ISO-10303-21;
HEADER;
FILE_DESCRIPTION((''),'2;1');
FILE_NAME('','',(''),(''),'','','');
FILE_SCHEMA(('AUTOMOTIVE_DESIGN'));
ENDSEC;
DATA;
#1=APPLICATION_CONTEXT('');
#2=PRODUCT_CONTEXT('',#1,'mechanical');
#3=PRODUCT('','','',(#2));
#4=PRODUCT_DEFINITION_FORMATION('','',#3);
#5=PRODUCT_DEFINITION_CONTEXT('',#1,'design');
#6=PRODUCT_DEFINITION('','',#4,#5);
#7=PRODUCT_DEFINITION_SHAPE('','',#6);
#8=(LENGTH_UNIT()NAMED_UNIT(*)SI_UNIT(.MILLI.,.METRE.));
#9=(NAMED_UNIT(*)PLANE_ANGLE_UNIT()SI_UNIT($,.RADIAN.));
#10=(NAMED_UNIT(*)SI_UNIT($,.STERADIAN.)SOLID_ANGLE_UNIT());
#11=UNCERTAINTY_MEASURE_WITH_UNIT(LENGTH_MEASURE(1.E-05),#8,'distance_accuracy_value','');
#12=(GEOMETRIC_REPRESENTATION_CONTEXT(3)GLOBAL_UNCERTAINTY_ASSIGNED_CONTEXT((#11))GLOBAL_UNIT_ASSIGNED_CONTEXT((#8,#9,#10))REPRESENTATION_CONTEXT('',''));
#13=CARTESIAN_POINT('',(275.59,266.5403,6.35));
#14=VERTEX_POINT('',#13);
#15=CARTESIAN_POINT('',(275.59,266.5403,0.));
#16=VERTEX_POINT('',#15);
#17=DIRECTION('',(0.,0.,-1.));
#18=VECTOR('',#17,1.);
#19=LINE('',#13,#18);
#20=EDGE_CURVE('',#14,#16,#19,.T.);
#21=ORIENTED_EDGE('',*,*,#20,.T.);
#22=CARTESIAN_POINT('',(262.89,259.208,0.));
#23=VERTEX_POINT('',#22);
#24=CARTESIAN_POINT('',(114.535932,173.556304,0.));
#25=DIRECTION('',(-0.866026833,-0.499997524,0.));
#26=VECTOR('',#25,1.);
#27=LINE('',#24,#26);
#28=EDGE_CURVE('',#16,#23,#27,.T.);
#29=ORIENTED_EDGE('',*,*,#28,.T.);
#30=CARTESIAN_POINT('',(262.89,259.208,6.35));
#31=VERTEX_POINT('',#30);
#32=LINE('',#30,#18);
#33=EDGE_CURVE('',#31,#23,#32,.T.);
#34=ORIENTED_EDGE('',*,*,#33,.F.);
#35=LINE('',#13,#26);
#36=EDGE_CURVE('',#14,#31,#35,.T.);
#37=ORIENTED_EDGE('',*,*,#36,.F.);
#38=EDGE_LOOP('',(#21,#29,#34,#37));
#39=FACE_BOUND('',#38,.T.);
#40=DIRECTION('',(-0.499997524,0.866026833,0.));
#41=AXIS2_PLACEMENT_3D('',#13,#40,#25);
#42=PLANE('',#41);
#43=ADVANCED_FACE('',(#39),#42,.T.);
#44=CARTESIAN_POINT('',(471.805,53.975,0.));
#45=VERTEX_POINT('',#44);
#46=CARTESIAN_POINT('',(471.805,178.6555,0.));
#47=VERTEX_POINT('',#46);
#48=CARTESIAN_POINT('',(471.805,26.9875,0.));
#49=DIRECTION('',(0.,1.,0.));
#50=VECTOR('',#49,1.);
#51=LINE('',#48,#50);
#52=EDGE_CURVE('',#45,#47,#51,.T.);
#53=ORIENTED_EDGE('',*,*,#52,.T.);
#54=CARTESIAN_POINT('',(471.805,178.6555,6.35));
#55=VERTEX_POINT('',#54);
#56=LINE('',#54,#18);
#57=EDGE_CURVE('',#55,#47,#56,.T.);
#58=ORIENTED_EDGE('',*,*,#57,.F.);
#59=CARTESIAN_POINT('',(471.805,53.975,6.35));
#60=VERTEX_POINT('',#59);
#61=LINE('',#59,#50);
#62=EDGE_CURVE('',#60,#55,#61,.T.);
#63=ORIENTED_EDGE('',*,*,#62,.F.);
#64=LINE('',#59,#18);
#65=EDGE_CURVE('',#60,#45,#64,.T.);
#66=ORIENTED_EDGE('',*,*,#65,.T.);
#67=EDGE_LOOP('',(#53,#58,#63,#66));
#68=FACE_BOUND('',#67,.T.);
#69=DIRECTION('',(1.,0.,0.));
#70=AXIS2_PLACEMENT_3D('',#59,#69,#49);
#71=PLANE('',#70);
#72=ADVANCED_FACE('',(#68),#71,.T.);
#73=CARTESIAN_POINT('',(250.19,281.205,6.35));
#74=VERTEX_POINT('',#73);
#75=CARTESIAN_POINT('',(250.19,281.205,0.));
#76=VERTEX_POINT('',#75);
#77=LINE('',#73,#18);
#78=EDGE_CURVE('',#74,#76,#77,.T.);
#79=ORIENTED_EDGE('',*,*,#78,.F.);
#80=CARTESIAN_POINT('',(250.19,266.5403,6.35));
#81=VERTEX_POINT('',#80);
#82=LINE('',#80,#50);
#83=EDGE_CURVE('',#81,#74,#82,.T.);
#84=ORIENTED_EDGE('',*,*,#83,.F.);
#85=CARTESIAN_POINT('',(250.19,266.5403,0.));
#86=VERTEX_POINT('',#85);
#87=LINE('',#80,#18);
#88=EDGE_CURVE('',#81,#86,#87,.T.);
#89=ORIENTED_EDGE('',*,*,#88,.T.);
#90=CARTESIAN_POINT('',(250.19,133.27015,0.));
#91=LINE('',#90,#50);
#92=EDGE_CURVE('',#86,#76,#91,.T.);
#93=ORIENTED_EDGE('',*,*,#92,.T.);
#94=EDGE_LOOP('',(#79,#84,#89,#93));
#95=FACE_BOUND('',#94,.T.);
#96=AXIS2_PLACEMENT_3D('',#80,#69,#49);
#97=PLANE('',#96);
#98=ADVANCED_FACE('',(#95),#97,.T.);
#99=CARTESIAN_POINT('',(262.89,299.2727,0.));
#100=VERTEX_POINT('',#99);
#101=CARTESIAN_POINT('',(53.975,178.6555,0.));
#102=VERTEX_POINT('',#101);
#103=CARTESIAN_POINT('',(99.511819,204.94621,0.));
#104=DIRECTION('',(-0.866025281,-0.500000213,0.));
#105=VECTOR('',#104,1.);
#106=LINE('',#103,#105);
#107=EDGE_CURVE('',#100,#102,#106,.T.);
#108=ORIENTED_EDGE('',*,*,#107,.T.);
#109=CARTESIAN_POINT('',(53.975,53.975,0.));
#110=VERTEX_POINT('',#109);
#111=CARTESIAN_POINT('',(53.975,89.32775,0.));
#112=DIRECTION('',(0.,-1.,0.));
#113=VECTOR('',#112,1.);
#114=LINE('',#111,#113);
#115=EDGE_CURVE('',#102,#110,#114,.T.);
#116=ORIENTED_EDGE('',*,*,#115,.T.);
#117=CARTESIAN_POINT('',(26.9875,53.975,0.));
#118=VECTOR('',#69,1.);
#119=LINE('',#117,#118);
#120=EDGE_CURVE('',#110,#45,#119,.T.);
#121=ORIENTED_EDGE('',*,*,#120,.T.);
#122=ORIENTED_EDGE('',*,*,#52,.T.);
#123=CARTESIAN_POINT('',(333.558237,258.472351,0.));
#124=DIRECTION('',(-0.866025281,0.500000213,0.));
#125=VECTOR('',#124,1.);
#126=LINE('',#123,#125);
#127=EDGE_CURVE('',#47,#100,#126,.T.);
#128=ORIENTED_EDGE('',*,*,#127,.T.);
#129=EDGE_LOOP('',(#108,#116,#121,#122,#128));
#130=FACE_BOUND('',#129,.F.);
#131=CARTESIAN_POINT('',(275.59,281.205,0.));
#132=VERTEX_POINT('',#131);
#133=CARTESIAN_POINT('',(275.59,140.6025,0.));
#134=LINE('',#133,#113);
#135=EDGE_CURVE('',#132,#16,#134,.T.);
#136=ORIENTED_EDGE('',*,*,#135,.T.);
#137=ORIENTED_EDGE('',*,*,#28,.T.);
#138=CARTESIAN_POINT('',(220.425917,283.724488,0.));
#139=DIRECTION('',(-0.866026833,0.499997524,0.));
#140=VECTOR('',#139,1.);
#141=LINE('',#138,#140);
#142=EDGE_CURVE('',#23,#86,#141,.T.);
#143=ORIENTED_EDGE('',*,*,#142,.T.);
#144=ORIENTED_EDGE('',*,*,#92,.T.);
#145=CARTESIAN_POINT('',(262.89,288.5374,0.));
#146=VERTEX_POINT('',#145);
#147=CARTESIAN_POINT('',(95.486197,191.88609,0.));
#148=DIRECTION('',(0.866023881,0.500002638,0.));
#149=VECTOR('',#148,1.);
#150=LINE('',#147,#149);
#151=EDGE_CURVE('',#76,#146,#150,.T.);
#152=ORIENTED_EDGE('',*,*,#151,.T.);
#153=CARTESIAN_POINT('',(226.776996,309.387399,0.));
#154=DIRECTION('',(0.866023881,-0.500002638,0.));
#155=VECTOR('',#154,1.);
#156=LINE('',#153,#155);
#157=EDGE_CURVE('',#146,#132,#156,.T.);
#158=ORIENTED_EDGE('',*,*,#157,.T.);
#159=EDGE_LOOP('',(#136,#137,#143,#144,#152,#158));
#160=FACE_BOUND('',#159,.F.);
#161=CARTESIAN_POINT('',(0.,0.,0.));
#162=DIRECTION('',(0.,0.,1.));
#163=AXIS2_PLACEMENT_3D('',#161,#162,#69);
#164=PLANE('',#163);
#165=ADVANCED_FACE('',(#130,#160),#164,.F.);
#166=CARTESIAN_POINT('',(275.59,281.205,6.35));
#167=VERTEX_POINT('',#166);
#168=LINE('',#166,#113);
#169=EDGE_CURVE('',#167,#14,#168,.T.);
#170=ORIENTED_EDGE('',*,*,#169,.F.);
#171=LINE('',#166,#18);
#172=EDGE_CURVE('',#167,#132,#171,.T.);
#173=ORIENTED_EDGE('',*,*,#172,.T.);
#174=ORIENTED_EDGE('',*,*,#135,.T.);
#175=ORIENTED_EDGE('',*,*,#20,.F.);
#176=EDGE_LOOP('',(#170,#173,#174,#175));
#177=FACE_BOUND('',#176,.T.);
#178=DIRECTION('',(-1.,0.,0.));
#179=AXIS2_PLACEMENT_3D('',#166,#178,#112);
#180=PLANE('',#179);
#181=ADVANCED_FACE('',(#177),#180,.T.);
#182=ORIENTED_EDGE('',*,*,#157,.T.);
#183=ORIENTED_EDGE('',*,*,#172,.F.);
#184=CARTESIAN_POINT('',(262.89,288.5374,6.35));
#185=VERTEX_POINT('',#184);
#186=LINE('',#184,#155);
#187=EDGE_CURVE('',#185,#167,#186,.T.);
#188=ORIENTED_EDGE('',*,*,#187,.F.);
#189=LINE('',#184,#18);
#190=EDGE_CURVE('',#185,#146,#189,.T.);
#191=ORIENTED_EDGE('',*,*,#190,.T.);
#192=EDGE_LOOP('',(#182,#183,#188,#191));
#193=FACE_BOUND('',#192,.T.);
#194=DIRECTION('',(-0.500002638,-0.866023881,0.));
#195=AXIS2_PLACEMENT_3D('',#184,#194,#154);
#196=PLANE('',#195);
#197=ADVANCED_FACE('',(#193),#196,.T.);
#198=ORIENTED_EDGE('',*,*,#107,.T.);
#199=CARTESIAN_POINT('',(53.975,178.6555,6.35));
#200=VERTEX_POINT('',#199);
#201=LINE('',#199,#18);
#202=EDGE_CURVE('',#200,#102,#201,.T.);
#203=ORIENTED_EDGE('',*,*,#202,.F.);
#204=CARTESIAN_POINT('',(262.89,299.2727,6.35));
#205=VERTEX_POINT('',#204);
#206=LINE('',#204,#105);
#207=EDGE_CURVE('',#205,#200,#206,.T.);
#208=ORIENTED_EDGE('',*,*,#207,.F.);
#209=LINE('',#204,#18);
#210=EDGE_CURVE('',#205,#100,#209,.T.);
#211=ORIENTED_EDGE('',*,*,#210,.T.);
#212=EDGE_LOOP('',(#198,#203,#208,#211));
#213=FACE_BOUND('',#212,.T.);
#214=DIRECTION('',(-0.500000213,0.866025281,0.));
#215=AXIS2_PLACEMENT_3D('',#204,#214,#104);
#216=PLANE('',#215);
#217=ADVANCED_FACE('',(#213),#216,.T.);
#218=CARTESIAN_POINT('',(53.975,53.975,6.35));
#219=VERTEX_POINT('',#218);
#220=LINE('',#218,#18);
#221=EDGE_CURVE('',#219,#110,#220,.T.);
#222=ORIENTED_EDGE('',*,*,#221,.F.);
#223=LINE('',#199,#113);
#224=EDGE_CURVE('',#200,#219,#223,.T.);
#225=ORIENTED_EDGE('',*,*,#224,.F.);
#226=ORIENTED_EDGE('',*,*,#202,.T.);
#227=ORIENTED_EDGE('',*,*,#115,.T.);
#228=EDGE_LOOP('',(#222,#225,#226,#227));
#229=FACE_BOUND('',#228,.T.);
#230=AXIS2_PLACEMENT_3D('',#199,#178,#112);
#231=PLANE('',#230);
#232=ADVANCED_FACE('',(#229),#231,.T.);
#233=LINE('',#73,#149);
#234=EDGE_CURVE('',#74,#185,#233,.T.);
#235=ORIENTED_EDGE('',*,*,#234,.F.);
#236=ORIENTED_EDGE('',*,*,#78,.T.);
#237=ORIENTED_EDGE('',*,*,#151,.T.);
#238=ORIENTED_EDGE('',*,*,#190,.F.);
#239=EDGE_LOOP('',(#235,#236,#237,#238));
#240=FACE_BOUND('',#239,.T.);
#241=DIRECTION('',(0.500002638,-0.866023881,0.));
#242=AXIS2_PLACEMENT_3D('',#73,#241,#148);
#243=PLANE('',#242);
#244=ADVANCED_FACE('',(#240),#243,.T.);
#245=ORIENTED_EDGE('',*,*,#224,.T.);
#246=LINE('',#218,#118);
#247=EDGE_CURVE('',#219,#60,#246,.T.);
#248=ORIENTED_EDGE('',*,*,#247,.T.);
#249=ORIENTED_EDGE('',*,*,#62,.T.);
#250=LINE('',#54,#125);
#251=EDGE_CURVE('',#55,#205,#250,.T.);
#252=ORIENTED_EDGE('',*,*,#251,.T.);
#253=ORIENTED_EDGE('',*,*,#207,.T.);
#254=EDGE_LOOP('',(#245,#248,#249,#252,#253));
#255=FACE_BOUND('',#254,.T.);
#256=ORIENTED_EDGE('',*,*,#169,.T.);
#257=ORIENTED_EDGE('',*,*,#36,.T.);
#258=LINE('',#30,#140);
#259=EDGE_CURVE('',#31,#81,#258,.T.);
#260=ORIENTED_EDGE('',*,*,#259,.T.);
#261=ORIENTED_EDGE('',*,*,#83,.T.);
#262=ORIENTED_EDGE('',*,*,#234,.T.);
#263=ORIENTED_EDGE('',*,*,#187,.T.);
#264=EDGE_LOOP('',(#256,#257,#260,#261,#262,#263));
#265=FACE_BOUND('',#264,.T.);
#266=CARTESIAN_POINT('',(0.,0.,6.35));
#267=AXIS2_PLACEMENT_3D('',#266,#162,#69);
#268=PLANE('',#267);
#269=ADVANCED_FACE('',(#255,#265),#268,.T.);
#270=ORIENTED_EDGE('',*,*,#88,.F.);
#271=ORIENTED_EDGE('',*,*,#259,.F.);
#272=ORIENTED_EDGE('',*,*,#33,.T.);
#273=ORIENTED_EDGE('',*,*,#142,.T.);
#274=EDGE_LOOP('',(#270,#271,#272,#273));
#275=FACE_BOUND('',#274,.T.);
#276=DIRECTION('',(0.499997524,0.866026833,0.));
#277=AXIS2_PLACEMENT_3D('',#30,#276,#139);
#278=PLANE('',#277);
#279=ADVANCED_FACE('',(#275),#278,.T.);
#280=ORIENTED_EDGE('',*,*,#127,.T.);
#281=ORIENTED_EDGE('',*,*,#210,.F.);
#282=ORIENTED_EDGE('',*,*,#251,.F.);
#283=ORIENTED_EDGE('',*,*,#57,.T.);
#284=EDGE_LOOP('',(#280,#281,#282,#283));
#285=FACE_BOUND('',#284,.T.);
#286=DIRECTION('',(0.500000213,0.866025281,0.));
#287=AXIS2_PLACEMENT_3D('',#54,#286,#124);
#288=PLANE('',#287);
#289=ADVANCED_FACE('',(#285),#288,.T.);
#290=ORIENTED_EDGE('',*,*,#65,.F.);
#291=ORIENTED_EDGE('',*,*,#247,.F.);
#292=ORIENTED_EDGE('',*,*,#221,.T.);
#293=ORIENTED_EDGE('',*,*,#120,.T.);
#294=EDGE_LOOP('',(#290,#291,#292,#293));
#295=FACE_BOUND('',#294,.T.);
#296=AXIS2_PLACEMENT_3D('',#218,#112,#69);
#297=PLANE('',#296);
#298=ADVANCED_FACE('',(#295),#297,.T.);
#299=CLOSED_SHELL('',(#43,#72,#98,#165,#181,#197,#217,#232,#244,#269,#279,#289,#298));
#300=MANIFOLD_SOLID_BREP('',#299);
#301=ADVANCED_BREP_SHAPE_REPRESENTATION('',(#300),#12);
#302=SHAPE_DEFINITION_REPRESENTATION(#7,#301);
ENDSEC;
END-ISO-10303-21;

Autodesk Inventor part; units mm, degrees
ref_plane "YZ Plane" through (0, 0, 0) normal (1, 0, 0) x (0, 1, 0)
ref_plane "XZ Plane" through (0, 0, 0) normal (0, 1, 0) x (-1, 0, 0)
ref_plane "XY Plane" through (0, 0, 0) normal (0, 0, 1) x (1, 0, 0)
sketch "Sketch1" plane through (0, 0, 0) normal (0, 0, 1) x (1, 0, 0)
  line L0 (0, 0) -> (0, 201.9592)
  line L1 (0, 201.9592) -> (262.89, 353.7388)
  line L2 (262.89, 353.7388) -> (525.78, 201.9592)
  line L3 (525.78, 201.9592) -> (525.78, 0)
  line L4 (525.78, 0) -> (0, 0)
  point P0 (262.89, 0)
  dimension "d0" = 525.78
  dimension "d1" = 120
  dimension "d2" = 201.9592
extrude "Extrusion1" add sketch "Sketch1" along normal blind 6.35
sketch "Sketch3" plane through (0, 0, 6.35) normal (0, 0, 1) x (1, 0, 0)
  line L0 (50.8, 180.4886) -> (474.98, 180.4886)
  line L1 (474.98, 180.4886) -> (474.98, 50.8)
  line L2 (474.98, 50.8) -> (50.8, 50.8)
  line L3 (50.8, 50.8) -> (50.8, 180.4886)
  line L4 (0, 201.9592) -> (0, 0) projected
  line L5 (50.8, 180.4886) -> (262.89, 302.9388)
  line L6 (262.89, 302.9388) -> (474.98, 180.4886)
  line L7 (525.78, 0) -> (0, 0) projected
  line L8 (0, 201.9592) -> (0, 0) projected
  line L9 (0, 0) -> (525.78, 0) projected
  line L10 (525.78, 0) -> (525.78, 201.9592) projected
  line L11 (525.78, 201.9592) -> (262.89, 353.7388) projected
  line L12 (262.89, 353.7388) -> (0, 201.9592) projected
  point P0 (262.89, 180.4886)
  dimension "d15" = 120
  dimension "d16" = 50.8
  dimension "d17" = 50.8
  dimension "d18" = 50.8
extrude "Extrusion3" cut sketch "Sketch3" against normal through all
sketch "Sketch8" plane through (0, 0, 6.35) normal (0, 0, 1) x (1, 0, 0)
  line L0 (50.8, 50.8) -> (474.98, 50.8) projected
  line L1 (50.8, 180.4886) -> (50.8, 50.8) projected
  line L2 (50.8, 50.8) -> (474.98, 50.8) projected
  line L3 (474.98, 50.8) -> (474.98, 180.4886) projected
  line L4 (474.98, 180.4886) -> (262.89, 302.9388) projected
  line L5 (262.89, 302.9388) -> (50.8, 180.4886) projected
  line L6 (53.975, 178.6555) -> (53.975, 53.975)
  line L7 (53.975, 53.975) -> (471.805, 53.975)
  line L8 (471.805, 53.975) -> (471.805, 178.6555)
  line L9 (471.805, 178.6555) -> (262.89, 299.2727)
  line L10 (262.89, 299.2727) -> (53.975, 178.6555)
  point P0 (0, 0)
  dimension "d48" = 3.175
extrude "Extrusion8" cut sketch "Sketch8" against normal through all
sketch "Sketch9" plane through (0, 0, 6.35) normal (0, 0, 1) x (1, 0, 0)
  line L0 (262.89, 288.5374) -> (275.59, 281.205)
  line L1 (275.59, 281.205) -> (275.59, 266.5403)
  line L2 (275.59, 266.5403) -> (262.89, 259.208)
  line L3 (262.89, 259.208) -> (250.19, 266.5403)
  line L4 (250.19, 266.5403) -> (250.19, 281.205)
  line L5 (250.19, 281.205) -> (262.89, 288.5374)
  point P0 (0, 0)
  point P1 (262.89, 273.8727)
  point P2 (262.89, 299.2727)
  dimension "d51" = 25.4
  dimension "d52" = 25.4
extrude "Extrusion9" cut sketch "Sketch9" against normal through all
equation "\"d3\" = Panel_Thickness"
equation "\"Panel_Thickness\" = 6.35"
equation "\"Fit_Tolerance\" = 1.27"
equation "\"Tool_Dia\" = 6.35"
properties part number "BA15" material "Wood (Cherry)"
